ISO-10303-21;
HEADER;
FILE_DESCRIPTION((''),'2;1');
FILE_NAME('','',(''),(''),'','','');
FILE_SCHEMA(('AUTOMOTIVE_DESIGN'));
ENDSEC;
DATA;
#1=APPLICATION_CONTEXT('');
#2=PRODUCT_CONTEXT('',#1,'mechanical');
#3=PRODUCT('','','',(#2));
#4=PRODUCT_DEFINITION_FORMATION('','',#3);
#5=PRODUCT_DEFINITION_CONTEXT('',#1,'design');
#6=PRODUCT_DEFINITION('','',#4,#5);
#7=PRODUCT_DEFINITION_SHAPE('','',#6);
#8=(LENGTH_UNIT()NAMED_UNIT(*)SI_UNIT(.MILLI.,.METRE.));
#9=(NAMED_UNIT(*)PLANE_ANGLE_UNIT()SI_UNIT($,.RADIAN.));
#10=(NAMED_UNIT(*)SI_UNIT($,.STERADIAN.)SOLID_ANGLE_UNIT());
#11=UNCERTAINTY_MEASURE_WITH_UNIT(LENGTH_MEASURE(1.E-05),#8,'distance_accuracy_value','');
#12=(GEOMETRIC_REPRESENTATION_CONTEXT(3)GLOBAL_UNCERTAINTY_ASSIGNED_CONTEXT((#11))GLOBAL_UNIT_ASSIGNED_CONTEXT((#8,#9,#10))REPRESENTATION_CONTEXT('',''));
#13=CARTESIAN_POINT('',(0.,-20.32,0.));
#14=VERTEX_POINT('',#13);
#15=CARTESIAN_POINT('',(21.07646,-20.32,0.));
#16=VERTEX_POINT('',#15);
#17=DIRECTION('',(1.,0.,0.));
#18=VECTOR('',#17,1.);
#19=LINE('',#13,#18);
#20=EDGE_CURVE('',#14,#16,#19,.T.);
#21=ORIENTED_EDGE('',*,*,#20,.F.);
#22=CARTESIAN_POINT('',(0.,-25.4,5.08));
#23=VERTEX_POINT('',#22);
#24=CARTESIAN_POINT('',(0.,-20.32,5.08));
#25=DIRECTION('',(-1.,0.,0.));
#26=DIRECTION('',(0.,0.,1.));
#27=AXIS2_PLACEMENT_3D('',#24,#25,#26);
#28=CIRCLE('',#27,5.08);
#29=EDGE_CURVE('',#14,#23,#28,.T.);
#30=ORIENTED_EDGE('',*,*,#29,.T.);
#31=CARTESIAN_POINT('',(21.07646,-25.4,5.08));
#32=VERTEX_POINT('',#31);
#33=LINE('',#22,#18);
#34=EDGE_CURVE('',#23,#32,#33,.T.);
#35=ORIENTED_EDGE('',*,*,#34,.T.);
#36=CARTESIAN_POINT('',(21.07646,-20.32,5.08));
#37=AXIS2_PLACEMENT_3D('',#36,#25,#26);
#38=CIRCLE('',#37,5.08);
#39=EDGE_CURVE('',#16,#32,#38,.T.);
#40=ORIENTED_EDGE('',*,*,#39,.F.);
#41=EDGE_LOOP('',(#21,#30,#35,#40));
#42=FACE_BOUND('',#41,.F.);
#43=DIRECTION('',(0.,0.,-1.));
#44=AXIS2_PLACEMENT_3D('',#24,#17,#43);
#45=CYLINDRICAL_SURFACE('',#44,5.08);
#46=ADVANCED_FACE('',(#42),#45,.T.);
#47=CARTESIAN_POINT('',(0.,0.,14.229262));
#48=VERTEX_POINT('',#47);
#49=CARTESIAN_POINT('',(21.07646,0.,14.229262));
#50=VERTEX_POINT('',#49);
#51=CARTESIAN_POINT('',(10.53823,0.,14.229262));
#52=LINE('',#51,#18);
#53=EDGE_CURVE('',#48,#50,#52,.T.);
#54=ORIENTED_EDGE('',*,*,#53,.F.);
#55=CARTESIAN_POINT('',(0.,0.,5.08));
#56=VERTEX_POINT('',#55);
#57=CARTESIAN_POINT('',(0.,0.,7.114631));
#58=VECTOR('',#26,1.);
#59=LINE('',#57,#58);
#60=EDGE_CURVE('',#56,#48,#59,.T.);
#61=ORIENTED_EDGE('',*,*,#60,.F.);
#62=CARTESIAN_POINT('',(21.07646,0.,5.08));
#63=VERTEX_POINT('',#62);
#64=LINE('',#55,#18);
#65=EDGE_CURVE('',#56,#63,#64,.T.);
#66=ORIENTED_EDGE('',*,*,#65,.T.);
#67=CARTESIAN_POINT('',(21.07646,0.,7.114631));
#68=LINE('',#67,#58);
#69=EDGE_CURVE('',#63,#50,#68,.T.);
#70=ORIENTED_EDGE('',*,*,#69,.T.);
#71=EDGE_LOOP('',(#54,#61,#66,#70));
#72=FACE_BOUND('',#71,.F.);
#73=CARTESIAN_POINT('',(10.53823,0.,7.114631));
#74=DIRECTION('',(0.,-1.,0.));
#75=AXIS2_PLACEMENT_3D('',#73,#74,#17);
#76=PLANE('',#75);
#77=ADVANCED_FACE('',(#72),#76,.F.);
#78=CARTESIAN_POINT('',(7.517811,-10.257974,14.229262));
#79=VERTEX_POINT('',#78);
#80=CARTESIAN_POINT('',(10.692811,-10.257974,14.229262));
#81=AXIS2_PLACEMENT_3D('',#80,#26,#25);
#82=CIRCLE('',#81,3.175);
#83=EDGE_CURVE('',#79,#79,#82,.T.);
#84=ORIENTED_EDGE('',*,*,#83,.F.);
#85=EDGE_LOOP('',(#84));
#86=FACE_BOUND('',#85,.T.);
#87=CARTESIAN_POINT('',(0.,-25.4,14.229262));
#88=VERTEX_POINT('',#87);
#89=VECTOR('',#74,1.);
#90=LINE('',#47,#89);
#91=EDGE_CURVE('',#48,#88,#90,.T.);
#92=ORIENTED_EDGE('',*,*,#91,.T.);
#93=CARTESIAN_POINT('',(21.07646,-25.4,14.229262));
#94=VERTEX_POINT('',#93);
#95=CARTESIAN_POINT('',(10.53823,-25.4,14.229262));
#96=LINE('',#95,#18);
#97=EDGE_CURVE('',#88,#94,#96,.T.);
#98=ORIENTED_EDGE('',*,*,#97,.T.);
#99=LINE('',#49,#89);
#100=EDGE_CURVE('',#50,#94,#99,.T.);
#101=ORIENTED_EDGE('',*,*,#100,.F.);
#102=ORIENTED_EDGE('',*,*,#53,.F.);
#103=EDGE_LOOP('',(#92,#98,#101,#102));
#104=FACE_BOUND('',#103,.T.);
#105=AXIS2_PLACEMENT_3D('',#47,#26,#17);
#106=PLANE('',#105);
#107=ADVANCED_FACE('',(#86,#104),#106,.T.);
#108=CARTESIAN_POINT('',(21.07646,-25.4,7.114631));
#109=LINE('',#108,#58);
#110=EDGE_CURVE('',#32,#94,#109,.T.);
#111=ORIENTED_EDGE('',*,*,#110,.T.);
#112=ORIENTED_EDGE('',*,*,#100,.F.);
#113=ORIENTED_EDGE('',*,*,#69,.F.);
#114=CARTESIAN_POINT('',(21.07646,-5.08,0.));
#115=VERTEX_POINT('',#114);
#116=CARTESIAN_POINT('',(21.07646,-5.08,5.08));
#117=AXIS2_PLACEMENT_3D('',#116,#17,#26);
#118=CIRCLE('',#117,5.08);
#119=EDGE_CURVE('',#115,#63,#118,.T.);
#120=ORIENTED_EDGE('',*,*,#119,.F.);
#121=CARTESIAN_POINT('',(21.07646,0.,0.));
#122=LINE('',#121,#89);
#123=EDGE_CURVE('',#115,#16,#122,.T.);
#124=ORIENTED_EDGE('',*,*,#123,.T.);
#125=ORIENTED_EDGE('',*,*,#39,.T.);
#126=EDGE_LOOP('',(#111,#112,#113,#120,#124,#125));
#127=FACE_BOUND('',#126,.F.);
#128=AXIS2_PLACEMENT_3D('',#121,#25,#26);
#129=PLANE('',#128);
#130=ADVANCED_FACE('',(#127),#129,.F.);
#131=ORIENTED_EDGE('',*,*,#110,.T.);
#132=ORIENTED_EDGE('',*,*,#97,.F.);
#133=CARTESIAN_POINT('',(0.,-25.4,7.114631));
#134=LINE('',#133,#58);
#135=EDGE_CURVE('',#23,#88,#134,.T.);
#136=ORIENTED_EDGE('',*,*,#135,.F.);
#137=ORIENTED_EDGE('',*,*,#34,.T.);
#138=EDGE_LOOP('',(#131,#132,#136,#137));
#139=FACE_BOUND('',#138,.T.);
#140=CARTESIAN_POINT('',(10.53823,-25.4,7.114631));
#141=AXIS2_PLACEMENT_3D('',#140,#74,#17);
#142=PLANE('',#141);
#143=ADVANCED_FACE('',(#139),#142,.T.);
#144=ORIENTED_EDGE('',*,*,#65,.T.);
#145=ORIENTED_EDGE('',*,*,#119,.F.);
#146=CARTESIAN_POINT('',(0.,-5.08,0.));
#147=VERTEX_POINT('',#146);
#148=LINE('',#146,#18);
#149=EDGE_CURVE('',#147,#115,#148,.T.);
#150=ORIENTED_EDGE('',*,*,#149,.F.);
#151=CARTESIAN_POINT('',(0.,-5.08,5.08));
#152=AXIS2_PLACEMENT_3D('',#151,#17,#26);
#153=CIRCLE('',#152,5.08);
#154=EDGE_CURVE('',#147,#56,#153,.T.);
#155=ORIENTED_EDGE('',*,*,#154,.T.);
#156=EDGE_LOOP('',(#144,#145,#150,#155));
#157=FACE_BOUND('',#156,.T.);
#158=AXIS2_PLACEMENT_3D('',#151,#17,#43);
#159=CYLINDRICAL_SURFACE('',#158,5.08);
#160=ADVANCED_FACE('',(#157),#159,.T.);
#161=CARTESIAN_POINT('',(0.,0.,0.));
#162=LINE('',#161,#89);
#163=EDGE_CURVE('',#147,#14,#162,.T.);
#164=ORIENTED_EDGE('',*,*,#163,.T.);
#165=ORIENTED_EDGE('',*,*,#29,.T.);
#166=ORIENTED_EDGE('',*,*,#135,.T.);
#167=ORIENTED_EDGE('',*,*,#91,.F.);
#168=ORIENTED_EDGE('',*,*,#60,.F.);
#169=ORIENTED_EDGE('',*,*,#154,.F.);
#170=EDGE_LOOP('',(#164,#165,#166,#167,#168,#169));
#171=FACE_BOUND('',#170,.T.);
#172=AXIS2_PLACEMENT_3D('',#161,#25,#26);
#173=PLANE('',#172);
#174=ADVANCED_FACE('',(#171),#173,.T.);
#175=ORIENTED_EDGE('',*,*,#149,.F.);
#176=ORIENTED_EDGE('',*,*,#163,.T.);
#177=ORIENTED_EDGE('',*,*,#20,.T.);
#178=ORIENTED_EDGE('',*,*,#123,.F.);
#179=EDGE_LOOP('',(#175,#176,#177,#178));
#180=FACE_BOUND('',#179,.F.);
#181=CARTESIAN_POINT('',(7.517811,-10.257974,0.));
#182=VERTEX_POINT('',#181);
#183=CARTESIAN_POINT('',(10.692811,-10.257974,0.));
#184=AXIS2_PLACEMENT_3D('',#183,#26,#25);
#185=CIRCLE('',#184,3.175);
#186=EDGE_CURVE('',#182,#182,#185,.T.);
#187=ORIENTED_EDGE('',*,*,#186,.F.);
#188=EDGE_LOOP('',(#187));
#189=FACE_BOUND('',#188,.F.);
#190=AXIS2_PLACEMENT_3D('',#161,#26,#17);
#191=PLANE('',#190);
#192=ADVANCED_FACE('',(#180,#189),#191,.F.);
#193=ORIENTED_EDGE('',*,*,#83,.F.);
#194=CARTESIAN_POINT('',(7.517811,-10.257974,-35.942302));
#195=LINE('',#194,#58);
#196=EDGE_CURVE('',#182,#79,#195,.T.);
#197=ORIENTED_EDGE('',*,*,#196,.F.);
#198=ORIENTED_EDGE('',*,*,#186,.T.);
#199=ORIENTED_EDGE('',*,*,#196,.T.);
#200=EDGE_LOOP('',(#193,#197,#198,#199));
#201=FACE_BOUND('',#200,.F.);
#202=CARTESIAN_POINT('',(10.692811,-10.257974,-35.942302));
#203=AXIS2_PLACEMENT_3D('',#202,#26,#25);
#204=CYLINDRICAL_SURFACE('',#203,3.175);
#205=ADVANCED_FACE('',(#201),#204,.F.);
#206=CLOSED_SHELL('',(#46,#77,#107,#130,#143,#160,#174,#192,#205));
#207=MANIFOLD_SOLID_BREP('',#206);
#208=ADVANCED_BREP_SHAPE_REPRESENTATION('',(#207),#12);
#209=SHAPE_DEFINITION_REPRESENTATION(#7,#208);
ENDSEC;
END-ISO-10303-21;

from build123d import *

# Parameters (mm, degrees)
F0_W     = 21.076461
F0_H     = 14.229262
F1_DEPTH = 25.4
F2_R     = 5.08
F4_D     = 6.35
F5_R     = 5.08


with BuildPart() as f1:
    # F0 (on Front) → F1 (new body)
    with BuildSketch(Plane.XZ):
        with Locations((10.53823, 7.114631)):
            Rectangle(F0_W, F0_H)
    extrude(amount=F1_DEPTH)

    # F2
    f2_edges = [f1.edges().sort_by_distance(p)[0] for p in [
        (10.538231, -25.4, 0),
    ]]
    fillet(f2_edges, radius=F2_R)

    # F4 (through all)
    with Locations(Plane(origin=(0, 0, 0), x_dir=(1, 0, 0), z_dir=(0, 0, -1))):
        with Locations((10.692811, 10.257974)):
            Hole(F4_D / 2)

    # F5
    f5_edges = [f1.edges().sort_by_distance(p)[0] for p in [
        (10.538231, 0, 0),
    ]]
    fillet(f5_edges, radius=F5_R)


solid = f1.part
